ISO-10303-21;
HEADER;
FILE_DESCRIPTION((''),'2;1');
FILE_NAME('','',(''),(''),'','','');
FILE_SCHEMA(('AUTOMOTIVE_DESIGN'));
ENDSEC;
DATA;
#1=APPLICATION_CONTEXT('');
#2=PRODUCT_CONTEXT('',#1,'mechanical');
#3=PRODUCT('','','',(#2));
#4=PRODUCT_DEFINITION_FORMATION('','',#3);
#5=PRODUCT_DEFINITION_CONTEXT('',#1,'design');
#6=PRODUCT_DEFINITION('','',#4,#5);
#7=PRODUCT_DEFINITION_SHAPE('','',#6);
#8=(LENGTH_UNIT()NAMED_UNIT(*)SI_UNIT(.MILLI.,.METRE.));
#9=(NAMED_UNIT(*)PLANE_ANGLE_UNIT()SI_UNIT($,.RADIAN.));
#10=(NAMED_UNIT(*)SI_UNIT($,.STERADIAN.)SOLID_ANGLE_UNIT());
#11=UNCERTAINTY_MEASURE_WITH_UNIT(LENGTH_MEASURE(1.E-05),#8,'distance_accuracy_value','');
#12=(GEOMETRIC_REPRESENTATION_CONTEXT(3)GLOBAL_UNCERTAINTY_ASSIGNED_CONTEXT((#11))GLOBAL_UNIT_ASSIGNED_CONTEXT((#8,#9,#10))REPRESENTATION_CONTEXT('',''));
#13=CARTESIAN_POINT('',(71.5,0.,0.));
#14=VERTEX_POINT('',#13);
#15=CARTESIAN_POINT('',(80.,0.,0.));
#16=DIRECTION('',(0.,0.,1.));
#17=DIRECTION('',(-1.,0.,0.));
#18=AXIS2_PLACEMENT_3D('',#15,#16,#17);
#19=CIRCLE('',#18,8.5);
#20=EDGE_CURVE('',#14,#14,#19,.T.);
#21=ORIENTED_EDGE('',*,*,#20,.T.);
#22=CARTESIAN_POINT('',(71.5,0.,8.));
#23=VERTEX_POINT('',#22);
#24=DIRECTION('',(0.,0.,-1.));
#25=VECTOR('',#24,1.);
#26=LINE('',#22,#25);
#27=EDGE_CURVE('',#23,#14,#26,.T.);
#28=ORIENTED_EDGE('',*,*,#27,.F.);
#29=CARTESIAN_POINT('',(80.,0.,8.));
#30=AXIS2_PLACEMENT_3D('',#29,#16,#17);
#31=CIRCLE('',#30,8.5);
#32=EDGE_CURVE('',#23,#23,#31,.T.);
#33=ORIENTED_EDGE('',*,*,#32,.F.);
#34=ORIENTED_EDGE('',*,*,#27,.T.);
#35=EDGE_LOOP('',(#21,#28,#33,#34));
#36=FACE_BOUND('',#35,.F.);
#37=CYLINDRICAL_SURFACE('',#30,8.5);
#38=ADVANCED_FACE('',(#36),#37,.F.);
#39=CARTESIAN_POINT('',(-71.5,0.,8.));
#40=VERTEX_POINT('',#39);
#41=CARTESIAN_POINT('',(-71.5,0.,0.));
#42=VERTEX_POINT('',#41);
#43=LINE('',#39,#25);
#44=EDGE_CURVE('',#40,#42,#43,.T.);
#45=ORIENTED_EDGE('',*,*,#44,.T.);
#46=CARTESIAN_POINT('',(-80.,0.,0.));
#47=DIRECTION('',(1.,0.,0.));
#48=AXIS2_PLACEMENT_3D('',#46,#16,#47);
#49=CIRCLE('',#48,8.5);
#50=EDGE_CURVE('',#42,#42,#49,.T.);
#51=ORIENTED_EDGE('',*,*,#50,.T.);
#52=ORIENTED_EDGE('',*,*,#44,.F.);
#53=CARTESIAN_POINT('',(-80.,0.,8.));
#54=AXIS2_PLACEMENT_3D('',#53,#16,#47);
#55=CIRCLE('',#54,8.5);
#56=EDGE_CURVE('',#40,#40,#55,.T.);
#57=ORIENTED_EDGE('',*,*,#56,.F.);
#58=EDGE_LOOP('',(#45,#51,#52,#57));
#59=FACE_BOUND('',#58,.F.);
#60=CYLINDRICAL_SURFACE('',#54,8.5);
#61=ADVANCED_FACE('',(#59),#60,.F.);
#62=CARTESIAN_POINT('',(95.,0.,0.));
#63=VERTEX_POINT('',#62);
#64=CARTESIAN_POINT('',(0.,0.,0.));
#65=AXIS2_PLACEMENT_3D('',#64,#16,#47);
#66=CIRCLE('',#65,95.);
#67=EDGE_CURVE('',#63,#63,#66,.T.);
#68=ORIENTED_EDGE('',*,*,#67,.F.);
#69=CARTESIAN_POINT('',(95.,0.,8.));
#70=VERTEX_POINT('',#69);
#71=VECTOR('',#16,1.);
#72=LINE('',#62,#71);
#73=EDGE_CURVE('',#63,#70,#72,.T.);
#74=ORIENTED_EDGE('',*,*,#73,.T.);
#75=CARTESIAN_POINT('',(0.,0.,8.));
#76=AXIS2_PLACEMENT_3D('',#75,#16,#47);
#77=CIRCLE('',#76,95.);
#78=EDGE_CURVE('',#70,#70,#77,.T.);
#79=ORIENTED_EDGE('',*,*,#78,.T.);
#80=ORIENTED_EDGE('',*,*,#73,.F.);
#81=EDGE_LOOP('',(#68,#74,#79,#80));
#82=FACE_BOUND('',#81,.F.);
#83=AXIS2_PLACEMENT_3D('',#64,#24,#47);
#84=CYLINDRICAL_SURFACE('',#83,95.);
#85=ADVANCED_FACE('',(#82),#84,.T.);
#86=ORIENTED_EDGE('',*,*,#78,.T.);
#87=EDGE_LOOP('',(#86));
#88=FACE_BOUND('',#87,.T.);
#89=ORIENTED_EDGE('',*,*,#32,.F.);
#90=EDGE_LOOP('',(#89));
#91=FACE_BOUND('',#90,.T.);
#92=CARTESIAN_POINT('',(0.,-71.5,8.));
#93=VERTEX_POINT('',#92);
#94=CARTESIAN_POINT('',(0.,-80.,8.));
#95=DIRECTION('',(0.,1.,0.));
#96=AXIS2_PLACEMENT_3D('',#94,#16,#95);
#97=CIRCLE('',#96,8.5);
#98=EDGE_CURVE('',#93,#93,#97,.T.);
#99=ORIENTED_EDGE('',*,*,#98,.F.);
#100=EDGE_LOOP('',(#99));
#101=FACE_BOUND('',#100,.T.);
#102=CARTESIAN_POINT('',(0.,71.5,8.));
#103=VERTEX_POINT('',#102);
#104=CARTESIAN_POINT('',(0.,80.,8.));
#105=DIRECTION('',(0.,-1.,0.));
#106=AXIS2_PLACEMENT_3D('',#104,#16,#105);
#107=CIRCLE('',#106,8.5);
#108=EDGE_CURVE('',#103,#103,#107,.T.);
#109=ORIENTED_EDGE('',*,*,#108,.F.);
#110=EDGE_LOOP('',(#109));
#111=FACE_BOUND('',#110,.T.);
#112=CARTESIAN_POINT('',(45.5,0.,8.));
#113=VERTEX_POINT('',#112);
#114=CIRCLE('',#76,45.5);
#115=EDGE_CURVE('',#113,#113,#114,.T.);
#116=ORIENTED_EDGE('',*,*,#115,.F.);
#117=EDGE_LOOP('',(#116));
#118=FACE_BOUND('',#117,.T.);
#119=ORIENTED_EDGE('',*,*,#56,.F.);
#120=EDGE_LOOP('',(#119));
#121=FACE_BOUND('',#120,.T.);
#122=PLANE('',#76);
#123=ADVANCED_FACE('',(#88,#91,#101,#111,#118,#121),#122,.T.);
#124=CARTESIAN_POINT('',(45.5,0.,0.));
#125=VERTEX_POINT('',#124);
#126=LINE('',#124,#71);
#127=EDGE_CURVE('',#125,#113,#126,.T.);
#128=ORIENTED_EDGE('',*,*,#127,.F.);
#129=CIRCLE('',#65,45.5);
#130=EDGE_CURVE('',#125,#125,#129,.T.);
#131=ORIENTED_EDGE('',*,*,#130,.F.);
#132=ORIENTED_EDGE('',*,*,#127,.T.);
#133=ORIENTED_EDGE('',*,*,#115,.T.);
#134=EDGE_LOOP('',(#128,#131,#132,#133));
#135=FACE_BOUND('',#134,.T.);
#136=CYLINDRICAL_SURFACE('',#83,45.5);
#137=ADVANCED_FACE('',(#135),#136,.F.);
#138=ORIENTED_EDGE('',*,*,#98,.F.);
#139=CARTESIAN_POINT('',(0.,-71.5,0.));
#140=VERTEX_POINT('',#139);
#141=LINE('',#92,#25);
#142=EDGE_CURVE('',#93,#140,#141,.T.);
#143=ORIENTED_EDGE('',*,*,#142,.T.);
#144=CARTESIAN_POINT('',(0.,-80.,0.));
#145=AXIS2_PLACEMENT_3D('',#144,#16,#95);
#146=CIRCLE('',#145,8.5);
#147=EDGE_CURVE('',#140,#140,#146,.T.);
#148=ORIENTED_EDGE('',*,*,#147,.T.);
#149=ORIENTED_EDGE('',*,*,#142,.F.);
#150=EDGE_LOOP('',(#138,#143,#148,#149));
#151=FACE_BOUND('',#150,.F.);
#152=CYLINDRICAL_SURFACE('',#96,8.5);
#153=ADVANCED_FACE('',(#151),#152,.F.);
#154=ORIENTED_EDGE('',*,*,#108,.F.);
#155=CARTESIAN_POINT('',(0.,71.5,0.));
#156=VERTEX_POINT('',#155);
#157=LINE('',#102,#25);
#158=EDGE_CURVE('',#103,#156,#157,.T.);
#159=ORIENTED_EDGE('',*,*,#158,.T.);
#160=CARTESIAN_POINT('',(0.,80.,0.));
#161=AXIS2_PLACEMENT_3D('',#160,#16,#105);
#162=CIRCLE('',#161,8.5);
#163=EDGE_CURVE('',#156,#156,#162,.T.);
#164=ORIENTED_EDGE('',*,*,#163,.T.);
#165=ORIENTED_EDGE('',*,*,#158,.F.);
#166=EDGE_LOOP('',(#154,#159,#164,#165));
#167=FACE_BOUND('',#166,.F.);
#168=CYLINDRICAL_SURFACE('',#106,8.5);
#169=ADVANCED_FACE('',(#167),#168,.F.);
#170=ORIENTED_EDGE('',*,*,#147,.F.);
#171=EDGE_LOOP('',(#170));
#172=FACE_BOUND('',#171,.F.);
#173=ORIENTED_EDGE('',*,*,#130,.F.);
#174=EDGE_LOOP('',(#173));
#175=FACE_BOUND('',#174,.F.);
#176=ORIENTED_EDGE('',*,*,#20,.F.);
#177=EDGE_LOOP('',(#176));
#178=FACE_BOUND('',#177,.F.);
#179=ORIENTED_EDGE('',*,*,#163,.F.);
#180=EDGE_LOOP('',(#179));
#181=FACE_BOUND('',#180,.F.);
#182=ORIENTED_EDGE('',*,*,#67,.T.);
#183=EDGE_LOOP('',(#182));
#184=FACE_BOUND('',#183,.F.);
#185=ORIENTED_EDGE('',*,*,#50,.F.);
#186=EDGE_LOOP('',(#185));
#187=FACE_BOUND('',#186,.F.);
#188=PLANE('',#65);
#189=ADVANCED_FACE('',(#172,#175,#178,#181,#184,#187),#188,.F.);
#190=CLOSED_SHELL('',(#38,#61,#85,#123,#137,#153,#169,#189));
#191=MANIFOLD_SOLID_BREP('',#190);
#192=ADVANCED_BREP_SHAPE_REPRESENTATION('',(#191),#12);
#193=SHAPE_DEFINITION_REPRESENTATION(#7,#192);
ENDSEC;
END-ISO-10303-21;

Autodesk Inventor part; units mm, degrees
ref_plane "YZ Plane" through (0, 0, 0) normal (1, 0, 0) x (0, 1, 0)
ref_plane "XZ Plane" through (0, 0, 0) normal (0, 1, 0) x (-1, 0, 0)
ref_plane "XY Plane" through (0, 0, 0) normal (0, 0, 1) x (1, 0, 0)
sketch "Sketch2" plane through (0, 0, 0) normal (0, 0, 1) x (1, 0, 0)
  circle A0 centre (0, 0) radius 45.5
  circle A1 centre (0, 0) radius 95
  dimension "d25" = 91
  dimension "d27" = 190
extrude "Plate2" add sketch "Sketch2" along normal blind 8
sketch "Sketch3" plane through (0, 0, 8) normal (0, 0, 1) x (1, 0, 0)
  circle A0 centre (-80, 0) radius 8.5
  circle A1 centre (0, 0) radius 80 construction
  dimension "d28" = 160
  dimension "d15" = 17
extrude "Cut1" cut sketch "Sketch3" against normal blind 8
pattern_circular "Circular Pattern1" count 4 over 360 about axis through (0, 0, -10) along (0, 0, 1) of "Cut1"
equation "\"d17\" = Thickness"
equation "\"d14\" = Thickness"
equation "\"BendReliefWidth\" = Thickness"
equation "\"BendReliefDepth\" = 0.5 * Thickness"
equation "\"CornerReliefSize\" = 4 * Thickness"
equation "\"MinimumRemnant\" = 2 * Thickness"
equation "\"TransitionRadius\" = BendRadius"
equation "\"JacobiRadiusSize\" = BendRadius"
equation "\"GapSize\" = Thickness"
equation "\"Thickness\" = 8"
equation "\"BendRadius\" = 6"
properties part number "PNS 734 FDS flange DN90" material "Steel"
